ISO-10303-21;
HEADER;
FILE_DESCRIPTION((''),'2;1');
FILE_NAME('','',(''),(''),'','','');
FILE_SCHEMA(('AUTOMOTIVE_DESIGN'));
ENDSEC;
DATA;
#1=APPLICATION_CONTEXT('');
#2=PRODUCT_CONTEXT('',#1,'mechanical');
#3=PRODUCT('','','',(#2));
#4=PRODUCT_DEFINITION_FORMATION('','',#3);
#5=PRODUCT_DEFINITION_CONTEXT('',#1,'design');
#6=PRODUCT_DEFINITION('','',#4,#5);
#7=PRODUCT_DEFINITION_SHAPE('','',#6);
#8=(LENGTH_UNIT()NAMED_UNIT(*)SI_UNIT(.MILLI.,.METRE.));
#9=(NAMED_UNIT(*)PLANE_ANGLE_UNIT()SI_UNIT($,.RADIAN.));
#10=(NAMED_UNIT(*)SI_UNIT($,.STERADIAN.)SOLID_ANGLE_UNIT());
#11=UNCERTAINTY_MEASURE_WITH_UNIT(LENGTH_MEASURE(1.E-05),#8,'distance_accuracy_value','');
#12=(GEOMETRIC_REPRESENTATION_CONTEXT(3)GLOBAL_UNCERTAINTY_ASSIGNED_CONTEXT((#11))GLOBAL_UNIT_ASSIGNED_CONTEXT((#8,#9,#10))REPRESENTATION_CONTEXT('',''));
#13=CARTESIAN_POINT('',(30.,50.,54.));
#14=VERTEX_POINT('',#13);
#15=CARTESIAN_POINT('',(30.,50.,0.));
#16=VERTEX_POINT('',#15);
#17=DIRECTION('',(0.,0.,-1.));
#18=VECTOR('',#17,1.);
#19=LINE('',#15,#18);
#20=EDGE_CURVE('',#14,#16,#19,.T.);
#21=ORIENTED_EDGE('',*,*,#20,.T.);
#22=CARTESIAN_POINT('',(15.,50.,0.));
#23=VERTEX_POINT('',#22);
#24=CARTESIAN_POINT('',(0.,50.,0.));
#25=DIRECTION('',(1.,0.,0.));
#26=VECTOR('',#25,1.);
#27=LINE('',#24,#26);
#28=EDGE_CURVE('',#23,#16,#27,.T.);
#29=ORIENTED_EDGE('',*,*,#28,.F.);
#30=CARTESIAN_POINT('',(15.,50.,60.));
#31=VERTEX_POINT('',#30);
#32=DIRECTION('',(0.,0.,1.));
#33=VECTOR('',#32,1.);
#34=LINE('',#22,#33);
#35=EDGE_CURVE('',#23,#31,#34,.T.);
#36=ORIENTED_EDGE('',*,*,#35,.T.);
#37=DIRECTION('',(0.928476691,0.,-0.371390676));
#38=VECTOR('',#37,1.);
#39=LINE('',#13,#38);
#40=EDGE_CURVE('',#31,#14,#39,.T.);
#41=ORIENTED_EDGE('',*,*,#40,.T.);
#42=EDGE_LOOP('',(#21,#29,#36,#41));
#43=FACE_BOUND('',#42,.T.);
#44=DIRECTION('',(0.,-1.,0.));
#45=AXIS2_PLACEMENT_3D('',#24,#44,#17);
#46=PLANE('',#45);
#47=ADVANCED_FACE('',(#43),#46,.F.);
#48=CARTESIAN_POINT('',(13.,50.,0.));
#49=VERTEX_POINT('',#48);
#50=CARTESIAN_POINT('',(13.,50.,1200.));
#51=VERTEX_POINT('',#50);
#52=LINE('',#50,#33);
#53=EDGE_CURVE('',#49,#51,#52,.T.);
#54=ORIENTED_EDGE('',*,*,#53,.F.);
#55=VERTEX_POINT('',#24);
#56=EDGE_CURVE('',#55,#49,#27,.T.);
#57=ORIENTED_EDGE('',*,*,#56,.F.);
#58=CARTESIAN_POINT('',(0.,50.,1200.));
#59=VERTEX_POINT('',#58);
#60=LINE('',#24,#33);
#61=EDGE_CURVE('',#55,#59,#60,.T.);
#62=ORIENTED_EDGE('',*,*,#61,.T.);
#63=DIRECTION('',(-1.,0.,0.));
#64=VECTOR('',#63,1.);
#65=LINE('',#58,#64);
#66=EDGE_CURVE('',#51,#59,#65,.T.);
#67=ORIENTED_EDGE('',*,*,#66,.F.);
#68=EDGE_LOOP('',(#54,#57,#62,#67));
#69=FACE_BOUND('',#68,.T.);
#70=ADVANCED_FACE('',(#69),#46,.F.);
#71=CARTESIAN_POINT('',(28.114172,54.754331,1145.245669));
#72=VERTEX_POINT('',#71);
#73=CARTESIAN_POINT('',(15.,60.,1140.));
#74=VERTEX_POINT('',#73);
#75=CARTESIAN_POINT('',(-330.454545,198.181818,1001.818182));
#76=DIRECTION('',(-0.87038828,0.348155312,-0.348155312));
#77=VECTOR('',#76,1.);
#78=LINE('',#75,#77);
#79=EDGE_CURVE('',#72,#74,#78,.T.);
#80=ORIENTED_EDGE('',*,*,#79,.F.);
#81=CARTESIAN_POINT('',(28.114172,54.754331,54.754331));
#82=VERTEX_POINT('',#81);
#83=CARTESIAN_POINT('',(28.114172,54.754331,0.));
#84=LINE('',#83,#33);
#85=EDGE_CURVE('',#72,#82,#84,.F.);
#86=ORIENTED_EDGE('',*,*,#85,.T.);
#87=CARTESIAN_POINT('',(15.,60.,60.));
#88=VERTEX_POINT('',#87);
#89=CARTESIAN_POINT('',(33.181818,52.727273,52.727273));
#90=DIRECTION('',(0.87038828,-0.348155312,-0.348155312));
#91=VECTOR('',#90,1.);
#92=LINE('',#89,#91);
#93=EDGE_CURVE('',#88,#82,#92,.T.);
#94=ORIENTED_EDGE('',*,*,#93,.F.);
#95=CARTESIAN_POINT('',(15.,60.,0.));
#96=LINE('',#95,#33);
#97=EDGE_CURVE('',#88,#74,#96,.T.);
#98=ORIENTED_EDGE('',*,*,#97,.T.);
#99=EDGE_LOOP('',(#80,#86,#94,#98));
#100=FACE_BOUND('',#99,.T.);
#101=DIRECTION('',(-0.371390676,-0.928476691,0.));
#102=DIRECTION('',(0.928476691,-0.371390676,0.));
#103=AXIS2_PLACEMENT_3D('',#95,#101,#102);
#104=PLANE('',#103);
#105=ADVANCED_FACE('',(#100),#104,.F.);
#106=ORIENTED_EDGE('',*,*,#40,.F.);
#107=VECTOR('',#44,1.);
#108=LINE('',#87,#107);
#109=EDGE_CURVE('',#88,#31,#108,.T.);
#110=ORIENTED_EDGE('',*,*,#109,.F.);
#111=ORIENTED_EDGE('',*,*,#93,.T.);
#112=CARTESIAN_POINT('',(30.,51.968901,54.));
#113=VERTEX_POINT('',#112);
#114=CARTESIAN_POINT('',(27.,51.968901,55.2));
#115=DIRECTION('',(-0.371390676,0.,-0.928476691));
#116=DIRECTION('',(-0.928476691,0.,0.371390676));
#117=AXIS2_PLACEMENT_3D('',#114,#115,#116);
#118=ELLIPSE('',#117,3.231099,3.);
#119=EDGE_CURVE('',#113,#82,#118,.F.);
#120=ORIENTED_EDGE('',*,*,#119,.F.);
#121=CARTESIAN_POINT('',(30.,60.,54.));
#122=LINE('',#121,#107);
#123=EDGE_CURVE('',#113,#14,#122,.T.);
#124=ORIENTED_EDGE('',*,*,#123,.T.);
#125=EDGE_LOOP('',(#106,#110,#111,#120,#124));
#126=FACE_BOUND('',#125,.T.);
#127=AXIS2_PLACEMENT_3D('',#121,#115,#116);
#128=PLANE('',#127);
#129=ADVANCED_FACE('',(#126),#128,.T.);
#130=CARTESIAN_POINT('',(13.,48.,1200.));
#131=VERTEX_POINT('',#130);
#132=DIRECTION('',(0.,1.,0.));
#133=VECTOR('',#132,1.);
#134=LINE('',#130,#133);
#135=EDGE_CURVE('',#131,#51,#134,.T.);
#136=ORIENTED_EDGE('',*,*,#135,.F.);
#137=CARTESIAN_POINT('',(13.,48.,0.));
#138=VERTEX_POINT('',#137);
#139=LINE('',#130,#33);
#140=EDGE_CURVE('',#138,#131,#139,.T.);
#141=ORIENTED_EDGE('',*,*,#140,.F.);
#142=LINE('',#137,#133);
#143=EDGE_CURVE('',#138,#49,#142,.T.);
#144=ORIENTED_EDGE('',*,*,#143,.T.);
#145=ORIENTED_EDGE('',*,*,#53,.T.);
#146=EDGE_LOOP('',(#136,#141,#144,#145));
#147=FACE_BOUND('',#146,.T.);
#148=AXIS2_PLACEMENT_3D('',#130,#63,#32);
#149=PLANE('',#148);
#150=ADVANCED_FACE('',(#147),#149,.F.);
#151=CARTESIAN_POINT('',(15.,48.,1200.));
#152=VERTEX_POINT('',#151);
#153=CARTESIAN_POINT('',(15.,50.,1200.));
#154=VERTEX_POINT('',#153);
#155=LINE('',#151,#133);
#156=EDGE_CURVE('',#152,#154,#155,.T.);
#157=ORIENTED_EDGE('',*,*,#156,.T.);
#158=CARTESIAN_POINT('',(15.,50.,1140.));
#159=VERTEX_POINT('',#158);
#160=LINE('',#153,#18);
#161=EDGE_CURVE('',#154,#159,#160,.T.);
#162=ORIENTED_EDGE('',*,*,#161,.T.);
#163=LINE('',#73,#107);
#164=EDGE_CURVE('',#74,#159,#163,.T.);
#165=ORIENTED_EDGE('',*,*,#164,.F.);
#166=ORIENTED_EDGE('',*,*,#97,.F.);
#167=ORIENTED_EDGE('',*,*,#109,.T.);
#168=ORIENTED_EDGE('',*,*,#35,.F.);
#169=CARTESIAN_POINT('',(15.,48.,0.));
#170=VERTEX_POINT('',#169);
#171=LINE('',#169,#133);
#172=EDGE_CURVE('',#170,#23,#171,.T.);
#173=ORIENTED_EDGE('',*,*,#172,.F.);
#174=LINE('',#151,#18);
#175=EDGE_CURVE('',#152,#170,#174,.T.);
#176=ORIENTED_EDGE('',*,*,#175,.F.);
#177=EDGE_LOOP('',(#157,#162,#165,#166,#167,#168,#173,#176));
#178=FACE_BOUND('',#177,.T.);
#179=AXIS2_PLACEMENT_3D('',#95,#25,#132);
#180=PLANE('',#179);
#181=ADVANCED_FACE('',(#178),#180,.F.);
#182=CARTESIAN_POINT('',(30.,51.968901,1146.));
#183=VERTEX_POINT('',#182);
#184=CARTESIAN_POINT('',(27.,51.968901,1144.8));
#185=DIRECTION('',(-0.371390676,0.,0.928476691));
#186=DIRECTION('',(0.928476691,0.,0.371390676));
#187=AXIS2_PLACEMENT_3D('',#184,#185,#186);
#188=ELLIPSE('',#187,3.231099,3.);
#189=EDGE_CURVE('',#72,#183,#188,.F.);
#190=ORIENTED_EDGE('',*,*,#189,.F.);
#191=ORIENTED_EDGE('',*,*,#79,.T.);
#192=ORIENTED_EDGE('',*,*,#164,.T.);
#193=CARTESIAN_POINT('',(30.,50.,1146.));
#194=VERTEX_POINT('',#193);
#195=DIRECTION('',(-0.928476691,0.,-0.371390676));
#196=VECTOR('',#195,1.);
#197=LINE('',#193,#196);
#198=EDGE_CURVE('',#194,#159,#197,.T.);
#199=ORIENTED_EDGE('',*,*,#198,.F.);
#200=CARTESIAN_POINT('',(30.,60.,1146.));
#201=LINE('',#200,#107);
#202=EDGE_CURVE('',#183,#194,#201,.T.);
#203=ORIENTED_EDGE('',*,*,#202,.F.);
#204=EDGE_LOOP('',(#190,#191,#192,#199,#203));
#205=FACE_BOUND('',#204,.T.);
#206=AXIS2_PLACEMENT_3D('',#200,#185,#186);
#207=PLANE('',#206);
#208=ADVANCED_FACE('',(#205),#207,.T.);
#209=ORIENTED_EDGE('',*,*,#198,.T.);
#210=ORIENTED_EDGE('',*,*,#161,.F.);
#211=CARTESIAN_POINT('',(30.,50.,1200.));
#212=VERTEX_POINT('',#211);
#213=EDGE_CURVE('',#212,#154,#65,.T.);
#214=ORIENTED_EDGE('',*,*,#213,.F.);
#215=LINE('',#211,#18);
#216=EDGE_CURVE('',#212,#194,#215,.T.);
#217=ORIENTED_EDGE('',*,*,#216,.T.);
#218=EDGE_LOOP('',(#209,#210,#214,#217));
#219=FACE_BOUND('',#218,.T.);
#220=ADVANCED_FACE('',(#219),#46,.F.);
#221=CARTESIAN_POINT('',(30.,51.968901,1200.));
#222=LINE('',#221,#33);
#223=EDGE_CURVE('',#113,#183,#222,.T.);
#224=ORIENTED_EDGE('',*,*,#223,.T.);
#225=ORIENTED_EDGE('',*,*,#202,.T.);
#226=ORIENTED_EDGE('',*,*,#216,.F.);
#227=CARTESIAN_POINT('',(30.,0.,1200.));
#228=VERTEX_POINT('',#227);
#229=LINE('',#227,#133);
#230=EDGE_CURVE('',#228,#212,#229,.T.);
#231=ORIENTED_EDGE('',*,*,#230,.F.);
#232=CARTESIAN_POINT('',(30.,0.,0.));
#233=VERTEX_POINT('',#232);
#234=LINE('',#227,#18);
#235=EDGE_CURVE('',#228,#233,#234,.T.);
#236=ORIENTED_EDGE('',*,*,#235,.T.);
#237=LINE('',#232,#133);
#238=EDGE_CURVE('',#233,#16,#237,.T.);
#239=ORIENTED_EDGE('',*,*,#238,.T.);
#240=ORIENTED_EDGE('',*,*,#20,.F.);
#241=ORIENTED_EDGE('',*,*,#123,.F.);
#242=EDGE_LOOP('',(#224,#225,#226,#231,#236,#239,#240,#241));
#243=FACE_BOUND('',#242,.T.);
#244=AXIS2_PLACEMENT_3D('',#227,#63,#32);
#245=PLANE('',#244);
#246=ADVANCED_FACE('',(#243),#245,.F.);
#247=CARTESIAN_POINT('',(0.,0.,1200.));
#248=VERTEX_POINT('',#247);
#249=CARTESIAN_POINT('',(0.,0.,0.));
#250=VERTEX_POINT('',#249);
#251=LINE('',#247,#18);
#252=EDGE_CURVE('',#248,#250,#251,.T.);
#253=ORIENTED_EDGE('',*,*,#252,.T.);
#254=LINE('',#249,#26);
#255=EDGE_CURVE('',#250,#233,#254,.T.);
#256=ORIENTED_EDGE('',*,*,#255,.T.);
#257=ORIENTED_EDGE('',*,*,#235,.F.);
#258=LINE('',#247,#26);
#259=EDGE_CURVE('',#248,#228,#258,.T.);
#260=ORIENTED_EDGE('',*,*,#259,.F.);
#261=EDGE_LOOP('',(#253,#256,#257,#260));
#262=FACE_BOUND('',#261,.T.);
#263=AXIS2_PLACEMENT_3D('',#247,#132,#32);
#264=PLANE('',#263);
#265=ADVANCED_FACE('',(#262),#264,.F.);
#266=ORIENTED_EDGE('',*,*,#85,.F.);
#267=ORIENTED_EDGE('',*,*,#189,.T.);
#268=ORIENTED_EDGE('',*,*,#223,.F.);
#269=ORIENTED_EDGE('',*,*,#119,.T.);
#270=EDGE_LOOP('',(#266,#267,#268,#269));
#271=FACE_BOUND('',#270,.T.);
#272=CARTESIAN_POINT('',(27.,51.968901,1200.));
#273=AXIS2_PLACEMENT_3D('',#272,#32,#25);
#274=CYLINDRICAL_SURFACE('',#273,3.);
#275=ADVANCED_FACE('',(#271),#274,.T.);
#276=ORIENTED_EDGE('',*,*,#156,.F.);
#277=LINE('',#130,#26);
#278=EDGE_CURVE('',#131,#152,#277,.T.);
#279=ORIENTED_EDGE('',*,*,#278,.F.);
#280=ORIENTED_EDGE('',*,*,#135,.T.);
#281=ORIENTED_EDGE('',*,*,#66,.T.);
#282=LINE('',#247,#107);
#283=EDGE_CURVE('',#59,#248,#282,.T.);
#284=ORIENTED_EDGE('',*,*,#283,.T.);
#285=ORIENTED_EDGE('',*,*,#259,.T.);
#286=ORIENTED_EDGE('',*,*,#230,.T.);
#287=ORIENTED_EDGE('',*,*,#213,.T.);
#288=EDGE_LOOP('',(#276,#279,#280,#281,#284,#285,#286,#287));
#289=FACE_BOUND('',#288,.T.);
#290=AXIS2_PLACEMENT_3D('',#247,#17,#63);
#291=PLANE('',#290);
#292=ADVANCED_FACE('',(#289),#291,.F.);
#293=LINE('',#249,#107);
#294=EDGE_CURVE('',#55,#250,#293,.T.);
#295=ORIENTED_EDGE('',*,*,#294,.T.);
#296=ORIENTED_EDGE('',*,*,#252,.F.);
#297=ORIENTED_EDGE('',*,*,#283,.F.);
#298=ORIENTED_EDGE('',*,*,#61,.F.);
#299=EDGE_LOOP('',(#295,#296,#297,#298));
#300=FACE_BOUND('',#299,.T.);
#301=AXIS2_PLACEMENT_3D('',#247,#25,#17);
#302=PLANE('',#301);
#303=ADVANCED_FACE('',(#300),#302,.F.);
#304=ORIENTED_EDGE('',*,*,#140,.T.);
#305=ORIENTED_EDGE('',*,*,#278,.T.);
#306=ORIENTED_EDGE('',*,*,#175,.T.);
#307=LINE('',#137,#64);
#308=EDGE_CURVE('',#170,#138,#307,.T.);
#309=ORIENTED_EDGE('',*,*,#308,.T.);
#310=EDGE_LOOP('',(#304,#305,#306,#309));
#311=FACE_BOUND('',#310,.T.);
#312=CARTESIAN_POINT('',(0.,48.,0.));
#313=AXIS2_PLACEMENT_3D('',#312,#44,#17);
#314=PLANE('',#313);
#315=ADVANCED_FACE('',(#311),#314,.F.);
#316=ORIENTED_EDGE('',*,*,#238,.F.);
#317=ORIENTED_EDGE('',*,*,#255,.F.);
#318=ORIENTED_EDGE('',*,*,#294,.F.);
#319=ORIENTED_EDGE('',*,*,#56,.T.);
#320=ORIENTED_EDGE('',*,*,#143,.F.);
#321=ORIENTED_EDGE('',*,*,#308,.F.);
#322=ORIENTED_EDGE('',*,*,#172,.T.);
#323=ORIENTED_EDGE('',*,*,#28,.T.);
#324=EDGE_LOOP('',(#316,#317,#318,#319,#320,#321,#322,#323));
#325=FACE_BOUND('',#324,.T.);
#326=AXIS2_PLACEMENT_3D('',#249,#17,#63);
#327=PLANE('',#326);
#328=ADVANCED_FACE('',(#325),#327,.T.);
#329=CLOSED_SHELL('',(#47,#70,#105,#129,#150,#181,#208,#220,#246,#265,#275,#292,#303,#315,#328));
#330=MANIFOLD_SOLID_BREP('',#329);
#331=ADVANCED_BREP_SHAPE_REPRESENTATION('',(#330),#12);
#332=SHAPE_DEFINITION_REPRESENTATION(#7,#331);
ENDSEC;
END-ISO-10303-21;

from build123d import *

# Parameters (mm, degrees)
ESQUISSE1_W                  = 30
ESQUISSE1_H                  = 60
BOSS_EXTRU_1_DEPTH           = 1200
ENL_V_MAT_EXTRU_4_DEPTH      = 1202.873537441
ENL_V_MAT_EXTRU_4_DEPTH_BACK = 1202.873537441
ESQUISSE5_W                  = 15
ESQUISSE5_H                  = 10
ENL_V_MAT_EXTRU_2_DEPTH      = 1202.873537441
ENL_V_MAT_EXTRU_2_DEPTH_BACK = 1202.873537441
CONG_1_R                     = 3
ENL_V_MAT_EXTRU_5_REACH      = 1203.416
ESQUISSE7_W                  = 2
ESQUISSE7_H                  = 1200
ENL_V_MAT_EXTRU_6_DEPTH      = 2


with BuildPart() as part:
    # Esquisse1 → Boss.-Extru.1 (new body)
    with BuildSketch(Plane.XY):
        with Locations((15, 30)):
            Rectangle(ESQUISSE1_W, ESQUISSE1_H)
    extrude(amount=BOSS_EXTRU_1_DEPTH)

    # Esquisse5 → Enlèv. mat.-Extru.4 (cut, two sides: drawn at the far end of the back side and taken through both)
    with BuildSketch(Plane.XY.offset(1200).offset(-ENL_V_MAT_EXTRU_4_DEPTH_BACK)):
        with Locations((7.5, 55)):
            Rectangle(ESQUISSE5_W, ESQUISSE5_H)
    extrude(amount=ENL_V_MAT_EXTRU_4_DEPTH + ENL_V_MAT_EXTRU_4_DEPTH_BACK, mode=Mode.SUBTRACT)

    # Esquisse3 → Enlèv. mat.-Extru.2 (cut, two sides: drawn at the far end of the back side and taken through both)
    with BuildSketch(Plane.XY.offset(1200).offset(-ENL_V_MAT_EXTRU_2_DEPTH_BACK)):
        Polygon((15, 60), (30, 54), (30, 60), align=None)
    extrude(amount=ENL_V_MAT_EXTRU_2_DEPTH + ENL_V_MAT_EXTRU_2_DEPTH_BACK, mode=Mode.SUBTRACT)

    # Congé1
    cong_1_edges = [part.edges().sort_by_distance(p)[0] for p in [
        (30, 54, 600),
    ]]
    fillet(cong_1_edges, radius=CONG_1_R)

    # Enlèv. mat.-Extru.5: up to this plane
    enl_v_mat_extru_5_end = Plane(origin=(15, 60, 0), z_dir=(-0.37139067635410367, -0.9284766908852594, 0))
    # Esquisse6 → Enlèv. mat.-Extru.5 (cut, up to the surface)
    with BuildSketch(Plane(origin=(0, 50, 0), x_dir=(1, 0, 0), z_dir=(0, 1, 0)), mode=Mode.PRIVATE) as enl_v_mat_extru_5_sk1:
        Polygon((0, -1200), (30, -1200), (30, -1146), (15, -1140), (0, -1140), align=None)
    enl_v_mat_extru_5_tool1 = split(extrude(enl_v_mat_extru_5_sk1.sketch, amount=ENL_V_MAT_EXTRU_5_REACH, mode=Mode.PRIVATE), bisect_by=enl_v_mat_extru_5_end, keep=Keep.BOTH, mode=Mode.PRIVATE)
    add(enl_v_mat_extru_5_tool1.solids().sort_by_distance((14.74359, 50, 1170.717949))[0], mode=Mode.SUBTRACT)
    # Esquisse6 → Enlèv. mat.-Extru.5 (cut, up to the surface)
    with BuildSketch(Plane(origin=(0, 50, 0), x_dir=(1, 0, 0), z_dir=(0, 1, 0)), mode=Mode.PRIVATE) as enl_v_mat_extru_5_sk2:
        Polygon((0, -60), (0, 0), (30, 0), (30, -54), (15, -60), align=None)
    enl_v_mat_extru_5_tool2 = split(extrude(enl_v_mat_extru_5_sk2.sketch, amount=ENL_V_MAT_EXTRU_5_REACH, mode=Mode.PRIVATE), bisect_by=enl_v_mat_extru_5_end, keep=Keep.BOTH, mode=Mode.PRIVATE)
    add(enl_v_mat_extru_5_tool2.solids().sort_by_distance((14.74359, 50, 29.282051))[0], mode=Mode.SUBTRACT)

    # Esquisse7 → Enlèv. mat.-Extru.6 (cut)
    with BuildSketch(Plane(origin=(0, 50, 0), x_dir=(1, 0, 0), z_dir=(0, 1, 0))):
        with Locations((14, -600)):
            Rectangle(ESQUISSE7_W, ESQUISSE7_H)
    extrude(amount=-ENL_V_MAT_EXTRU_6_DEPTH, mode=Mode.SUBTRACT)


solid = part.part
